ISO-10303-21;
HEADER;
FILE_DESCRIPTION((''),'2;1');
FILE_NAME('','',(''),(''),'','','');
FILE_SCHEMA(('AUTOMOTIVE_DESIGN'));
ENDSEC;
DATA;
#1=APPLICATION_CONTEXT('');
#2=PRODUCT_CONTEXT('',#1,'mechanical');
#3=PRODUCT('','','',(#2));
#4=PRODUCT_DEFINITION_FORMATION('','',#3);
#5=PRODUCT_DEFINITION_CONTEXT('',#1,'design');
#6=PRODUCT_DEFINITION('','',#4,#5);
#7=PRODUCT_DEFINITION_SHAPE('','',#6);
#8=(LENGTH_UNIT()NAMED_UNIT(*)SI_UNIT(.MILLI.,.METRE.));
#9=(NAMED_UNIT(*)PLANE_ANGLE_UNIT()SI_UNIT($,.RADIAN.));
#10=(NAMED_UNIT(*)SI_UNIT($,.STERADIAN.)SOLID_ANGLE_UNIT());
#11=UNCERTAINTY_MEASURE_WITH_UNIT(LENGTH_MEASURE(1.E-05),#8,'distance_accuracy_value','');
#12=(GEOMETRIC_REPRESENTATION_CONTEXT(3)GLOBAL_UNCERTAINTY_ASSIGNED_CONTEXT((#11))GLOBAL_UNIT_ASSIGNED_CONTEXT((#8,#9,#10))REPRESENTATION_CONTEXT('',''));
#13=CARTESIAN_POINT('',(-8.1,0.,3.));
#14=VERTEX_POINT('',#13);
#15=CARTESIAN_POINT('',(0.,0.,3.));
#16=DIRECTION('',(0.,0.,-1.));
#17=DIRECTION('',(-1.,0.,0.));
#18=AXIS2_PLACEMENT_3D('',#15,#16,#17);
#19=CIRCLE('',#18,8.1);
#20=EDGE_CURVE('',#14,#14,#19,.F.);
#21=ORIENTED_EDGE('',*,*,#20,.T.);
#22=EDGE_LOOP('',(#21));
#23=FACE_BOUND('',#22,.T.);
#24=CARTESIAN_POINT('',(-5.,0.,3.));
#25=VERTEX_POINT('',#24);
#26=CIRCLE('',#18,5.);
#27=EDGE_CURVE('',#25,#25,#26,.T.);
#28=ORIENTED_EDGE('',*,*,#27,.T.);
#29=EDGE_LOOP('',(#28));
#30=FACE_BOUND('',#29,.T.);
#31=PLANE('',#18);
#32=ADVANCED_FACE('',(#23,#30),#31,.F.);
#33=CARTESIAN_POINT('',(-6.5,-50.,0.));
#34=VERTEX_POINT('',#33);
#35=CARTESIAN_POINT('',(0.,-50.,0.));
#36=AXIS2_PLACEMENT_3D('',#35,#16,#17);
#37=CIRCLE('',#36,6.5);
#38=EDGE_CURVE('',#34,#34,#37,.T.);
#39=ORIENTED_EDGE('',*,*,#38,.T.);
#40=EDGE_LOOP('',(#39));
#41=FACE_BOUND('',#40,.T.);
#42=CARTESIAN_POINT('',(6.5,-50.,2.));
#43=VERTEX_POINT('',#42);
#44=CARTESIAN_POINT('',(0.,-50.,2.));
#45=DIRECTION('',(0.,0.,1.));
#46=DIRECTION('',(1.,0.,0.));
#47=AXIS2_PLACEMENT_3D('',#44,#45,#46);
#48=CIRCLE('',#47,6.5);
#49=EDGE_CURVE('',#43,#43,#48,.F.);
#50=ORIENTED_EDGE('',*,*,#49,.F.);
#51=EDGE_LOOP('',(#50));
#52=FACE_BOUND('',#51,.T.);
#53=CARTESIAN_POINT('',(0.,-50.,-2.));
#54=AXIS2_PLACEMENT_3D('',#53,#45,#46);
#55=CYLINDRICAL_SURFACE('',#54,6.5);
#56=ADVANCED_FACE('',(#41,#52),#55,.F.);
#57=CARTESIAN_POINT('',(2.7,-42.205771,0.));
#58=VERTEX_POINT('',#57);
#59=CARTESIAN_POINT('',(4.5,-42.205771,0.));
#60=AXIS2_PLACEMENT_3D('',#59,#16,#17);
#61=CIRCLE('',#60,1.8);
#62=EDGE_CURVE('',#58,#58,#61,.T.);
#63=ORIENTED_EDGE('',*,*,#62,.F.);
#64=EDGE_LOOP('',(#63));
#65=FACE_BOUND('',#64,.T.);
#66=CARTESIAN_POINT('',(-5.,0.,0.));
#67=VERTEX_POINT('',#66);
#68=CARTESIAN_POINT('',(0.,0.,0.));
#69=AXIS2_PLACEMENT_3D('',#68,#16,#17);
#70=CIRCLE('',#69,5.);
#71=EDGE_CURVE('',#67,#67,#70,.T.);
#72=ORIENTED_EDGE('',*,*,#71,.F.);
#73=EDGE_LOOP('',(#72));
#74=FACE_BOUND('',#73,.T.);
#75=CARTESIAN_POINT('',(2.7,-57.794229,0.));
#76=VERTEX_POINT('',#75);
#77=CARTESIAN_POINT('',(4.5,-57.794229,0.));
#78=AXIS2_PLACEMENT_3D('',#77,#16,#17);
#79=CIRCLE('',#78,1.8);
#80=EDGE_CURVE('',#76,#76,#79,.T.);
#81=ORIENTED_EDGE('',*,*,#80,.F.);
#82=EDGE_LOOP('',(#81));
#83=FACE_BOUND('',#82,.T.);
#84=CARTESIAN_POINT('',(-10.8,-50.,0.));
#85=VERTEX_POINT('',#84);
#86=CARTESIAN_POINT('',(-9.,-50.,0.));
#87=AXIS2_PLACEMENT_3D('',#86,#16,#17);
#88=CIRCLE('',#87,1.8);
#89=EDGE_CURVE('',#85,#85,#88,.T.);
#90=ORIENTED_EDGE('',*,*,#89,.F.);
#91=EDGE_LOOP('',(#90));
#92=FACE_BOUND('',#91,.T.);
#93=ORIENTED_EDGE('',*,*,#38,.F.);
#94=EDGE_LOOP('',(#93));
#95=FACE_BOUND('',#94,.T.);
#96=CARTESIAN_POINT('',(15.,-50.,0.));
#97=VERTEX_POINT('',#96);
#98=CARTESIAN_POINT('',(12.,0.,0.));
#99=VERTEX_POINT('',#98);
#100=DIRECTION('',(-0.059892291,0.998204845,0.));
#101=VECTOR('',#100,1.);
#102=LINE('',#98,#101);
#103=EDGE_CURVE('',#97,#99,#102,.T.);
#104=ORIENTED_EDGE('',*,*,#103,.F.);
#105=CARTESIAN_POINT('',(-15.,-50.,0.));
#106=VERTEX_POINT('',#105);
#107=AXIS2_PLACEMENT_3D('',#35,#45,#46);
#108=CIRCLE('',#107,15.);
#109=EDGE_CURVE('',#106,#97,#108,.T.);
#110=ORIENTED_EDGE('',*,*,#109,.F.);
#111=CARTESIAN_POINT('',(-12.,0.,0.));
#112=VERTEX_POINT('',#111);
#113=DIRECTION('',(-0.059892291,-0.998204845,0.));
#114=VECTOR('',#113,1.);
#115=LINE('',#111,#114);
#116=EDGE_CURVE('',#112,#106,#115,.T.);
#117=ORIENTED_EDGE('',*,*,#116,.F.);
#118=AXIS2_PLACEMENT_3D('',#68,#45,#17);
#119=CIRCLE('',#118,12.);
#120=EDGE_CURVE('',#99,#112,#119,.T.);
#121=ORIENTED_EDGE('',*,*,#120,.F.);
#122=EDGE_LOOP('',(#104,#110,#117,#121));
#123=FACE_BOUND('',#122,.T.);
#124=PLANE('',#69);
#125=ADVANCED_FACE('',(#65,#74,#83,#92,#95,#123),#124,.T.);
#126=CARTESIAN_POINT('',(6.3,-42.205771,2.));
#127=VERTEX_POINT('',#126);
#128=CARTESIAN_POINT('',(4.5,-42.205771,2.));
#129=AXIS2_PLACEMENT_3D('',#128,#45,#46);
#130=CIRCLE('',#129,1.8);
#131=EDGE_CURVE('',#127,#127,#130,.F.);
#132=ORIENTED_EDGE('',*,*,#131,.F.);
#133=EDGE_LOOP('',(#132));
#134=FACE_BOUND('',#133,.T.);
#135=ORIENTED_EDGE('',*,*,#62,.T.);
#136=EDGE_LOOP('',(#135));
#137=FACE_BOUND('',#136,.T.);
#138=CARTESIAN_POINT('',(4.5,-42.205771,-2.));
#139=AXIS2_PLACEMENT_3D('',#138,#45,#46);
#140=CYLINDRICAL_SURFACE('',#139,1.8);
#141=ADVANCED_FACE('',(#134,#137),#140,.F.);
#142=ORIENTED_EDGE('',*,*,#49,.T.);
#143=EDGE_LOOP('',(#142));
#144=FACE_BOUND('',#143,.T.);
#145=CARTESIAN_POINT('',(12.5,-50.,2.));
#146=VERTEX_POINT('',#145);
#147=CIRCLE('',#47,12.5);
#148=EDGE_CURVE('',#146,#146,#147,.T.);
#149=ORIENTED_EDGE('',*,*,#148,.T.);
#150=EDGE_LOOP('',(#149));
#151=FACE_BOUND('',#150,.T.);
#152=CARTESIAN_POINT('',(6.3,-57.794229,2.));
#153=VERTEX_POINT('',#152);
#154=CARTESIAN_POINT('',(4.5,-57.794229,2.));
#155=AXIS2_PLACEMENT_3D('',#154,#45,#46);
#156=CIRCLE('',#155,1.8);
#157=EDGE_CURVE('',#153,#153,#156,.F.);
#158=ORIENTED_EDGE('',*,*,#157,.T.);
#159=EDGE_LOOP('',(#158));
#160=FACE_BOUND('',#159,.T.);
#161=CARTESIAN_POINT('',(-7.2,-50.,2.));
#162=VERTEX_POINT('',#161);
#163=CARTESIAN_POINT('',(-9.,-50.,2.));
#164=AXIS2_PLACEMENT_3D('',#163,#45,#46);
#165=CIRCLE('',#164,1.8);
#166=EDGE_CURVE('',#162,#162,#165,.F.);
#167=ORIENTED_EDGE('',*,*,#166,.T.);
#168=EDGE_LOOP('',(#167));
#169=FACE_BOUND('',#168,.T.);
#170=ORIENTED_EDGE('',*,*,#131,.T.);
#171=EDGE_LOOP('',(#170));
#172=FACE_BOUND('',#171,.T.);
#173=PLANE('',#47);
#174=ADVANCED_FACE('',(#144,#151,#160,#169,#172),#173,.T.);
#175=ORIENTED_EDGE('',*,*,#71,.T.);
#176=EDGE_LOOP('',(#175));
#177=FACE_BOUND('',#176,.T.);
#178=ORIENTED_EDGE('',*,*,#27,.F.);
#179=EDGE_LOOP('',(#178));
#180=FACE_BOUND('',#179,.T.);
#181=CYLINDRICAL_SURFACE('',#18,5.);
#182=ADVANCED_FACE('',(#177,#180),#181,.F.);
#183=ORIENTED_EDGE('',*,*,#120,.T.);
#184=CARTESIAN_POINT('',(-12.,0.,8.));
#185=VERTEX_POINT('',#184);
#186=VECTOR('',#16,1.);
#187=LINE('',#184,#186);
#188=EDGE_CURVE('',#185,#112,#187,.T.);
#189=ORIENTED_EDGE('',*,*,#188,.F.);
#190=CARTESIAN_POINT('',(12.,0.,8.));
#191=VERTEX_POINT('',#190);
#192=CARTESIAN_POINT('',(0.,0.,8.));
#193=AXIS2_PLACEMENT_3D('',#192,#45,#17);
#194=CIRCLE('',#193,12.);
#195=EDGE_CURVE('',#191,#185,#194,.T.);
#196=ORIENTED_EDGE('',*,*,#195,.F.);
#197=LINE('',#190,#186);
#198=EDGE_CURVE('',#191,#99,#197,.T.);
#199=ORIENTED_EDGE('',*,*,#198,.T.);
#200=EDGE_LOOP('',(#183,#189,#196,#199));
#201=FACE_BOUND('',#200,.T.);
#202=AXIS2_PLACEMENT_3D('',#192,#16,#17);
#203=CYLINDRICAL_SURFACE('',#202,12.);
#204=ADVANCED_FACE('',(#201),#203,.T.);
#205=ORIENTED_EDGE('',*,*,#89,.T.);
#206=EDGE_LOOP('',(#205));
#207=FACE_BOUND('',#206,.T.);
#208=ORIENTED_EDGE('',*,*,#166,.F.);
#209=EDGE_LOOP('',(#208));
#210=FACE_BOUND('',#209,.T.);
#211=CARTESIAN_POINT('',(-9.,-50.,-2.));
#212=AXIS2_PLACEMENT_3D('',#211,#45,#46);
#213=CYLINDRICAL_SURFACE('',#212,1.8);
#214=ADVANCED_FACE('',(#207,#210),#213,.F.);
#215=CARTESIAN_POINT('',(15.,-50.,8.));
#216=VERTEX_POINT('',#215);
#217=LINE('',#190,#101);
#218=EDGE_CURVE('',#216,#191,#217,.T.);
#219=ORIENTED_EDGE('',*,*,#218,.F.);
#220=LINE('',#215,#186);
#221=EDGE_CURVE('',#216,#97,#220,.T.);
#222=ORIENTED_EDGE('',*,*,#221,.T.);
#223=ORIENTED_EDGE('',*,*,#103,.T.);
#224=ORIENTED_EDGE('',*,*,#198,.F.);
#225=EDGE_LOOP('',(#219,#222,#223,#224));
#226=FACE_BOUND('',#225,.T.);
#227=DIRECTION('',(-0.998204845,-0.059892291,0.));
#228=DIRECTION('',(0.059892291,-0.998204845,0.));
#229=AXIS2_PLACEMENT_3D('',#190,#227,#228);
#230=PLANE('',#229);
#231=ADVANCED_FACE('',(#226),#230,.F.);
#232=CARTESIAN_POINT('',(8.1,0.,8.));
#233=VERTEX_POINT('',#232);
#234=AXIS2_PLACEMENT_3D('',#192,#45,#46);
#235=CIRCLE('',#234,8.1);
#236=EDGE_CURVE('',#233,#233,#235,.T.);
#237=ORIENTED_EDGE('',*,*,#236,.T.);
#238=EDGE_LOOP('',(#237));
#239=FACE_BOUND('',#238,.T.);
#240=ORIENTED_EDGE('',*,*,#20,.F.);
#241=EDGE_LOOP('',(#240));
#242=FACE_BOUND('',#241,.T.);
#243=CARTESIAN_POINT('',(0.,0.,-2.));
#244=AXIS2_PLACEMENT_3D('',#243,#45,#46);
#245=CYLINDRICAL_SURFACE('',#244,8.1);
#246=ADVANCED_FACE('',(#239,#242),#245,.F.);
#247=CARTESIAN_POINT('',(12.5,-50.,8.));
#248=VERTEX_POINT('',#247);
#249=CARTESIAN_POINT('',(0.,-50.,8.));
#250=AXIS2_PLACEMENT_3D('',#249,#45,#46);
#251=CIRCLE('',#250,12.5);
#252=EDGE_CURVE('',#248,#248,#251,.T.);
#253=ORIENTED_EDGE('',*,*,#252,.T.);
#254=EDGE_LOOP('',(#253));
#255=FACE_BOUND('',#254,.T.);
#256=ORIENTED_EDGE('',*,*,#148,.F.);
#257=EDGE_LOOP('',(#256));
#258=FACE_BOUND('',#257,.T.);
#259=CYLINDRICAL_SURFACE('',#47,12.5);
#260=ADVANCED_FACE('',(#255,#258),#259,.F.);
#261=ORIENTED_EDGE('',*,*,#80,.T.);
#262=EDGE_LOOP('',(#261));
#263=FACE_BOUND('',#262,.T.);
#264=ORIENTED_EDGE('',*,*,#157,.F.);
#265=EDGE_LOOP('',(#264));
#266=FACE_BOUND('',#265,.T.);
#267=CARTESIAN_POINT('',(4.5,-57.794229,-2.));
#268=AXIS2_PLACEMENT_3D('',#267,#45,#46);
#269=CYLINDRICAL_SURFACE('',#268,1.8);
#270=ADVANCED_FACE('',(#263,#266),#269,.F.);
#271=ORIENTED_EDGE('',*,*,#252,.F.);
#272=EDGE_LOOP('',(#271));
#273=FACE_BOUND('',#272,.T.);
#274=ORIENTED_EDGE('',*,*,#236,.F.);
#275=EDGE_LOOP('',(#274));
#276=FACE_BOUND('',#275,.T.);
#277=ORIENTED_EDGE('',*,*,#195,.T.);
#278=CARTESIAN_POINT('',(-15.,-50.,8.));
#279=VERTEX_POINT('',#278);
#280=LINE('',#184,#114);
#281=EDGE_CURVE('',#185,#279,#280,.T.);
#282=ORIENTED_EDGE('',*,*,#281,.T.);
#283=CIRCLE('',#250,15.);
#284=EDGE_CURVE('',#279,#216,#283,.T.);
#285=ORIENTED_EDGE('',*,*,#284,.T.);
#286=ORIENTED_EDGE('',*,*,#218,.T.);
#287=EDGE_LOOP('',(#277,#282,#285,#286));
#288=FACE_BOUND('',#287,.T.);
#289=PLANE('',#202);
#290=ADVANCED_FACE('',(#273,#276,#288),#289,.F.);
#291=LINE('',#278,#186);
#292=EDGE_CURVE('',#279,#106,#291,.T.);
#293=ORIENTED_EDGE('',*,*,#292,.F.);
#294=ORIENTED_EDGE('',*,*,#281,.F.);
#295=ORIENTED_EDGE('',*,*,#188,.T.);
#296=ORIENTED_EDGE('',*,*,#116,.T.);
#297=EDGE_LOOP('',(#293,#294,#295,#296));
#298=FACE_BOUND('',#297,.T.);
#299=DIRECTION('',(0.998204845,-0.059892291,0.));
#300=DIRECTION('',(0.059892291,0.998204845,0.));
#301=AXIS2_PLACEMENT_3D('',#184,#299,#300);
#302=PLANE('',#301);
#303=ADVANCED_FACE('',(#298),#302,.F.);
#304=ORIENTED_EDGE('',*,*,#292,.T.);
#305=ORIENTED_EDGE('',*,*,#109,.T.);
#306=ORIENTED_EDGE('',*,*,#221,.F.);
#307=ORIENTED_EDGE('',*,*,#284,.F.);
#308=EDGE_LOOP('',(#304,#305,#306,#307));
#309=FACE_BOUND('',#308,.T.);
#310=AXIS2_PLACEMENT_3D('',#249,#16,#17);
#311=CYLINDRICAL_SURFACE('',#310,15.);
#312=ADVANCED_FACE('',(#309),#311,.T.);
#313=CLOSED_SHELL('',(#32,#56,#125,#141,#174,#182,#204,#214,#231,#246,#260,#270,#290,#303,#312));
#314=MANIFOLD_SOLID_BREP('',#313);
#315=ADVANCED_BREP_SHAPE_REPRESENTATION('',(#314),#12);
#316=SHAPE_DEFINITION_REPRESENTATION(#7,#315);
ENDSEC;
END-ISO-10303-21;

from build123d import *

# Parameters (mm, degrees)
BOSS_EXTRU_1_DEPTH      = 8
ESQUISSE2_R             = 6.5
ENL_V_MAT_EXTRU_1_DEPTH = 10
ESQUISSE3_R             = 1.8
ENL_V_MAT_EXTRU_2_DEPTH = 10
ESQUISSE5_R             = 12.5
ENL_V_MAT_EXTRU_5_DEPTH = 6
ESQUISSE19_R            = 8.1
ENL_V_MAT_EXTRU_6_DEPTH = 10
BOSS_EXTRU_2_START      = -3
ESQUISSE22_R            = 8.1
ESQUISSE22_R_2          = 5
BOSS_EXTRU_2_DEPTH      = 3


with BuildPart() as part:
    # Esquisse1 → Boss.-Extru.1 (new body)
    with BuildSketch(Plane.XY):
        with BuildLine():
            Line((12, 0), (15, -50))
            ThreePointArc((15, -50), (0, -65), (-15, -50))
            Line((-15, -50), (-12, 0))
            ThreePointArc((-12, 0), (0, 12), (12, 0))
        make_face()
    extrude(amount=BOSS_EXTRU_1_DEPTH)

    # Esquisse2 → Enlèv. mat.-Extru.1 (cut)
    with BuildSketch(Plane.XY.offset(8)):
        with Locations((0, -50)):
            Circle(ESQUISSE2_R)
    extrude(amount=-ENL_V_MAT_EXTRU_1_DEPTH, mode=Mode.SUBTRACT)

    # Esquisse3 → Enlèv. mat.-Extru.2 (cut)
    with BuildSketch(Plane.XY.offset(8)):
        with Locations((4.5, -57.794228634)):
            Circle(ESQUISSE3_R)
        with Locations((-9, -50)):
            Circle(ESQUISSE3_R)
        with Locations((4.5, -42.205771366)):
            Circle(ESQUISSE3_R)
    extrude(amount=-ENL_V_MAT_EXTRU_2_DEPTH, mode=Mode.SUBTRACT)

    # Esquisse5 → Enlèv. mat.-Extru.5 (cut)
    with BuildSketch(Plane.XY.offset(8)):
        with Locations((0, -50)):
            Circle(ESQUISSE5_R)
    extrude(amount=-ENL_V_MAT_EXTRU_5_DEPTH, mode=Mode.SUBTRACT)

    # Esquisse19 → Enlèv. mat.-Extru.6 (cut)
    with BuildSketch(Plane.XY.offset(8)):
        Circle(ESQUISSE19_R)
    extrude(amount=-ENL_V_MAT_EXTRU_6_DEPTH, mode=Mode.SUBTRACT)

    # Esquisse22 → Boss.-Extru.2 (add)
    with BuildSketch(Plane(origin=(0, 0, 0), x_dir=(-1, 0, 0), z_dir=(0, 0, -1)).offset(BOSS_EXTRU_2_START)):
        with Locations(Location((0, 0, 0), (0, 0, 180))):
            Circle(ESQUISSE22_R)
        Circle(ESQUISSE22_R_2, mode=Mode.SUBTRACT)
    extrude(amount=BOSS_EXTRU_2_DEPTH)


solid = part.part
